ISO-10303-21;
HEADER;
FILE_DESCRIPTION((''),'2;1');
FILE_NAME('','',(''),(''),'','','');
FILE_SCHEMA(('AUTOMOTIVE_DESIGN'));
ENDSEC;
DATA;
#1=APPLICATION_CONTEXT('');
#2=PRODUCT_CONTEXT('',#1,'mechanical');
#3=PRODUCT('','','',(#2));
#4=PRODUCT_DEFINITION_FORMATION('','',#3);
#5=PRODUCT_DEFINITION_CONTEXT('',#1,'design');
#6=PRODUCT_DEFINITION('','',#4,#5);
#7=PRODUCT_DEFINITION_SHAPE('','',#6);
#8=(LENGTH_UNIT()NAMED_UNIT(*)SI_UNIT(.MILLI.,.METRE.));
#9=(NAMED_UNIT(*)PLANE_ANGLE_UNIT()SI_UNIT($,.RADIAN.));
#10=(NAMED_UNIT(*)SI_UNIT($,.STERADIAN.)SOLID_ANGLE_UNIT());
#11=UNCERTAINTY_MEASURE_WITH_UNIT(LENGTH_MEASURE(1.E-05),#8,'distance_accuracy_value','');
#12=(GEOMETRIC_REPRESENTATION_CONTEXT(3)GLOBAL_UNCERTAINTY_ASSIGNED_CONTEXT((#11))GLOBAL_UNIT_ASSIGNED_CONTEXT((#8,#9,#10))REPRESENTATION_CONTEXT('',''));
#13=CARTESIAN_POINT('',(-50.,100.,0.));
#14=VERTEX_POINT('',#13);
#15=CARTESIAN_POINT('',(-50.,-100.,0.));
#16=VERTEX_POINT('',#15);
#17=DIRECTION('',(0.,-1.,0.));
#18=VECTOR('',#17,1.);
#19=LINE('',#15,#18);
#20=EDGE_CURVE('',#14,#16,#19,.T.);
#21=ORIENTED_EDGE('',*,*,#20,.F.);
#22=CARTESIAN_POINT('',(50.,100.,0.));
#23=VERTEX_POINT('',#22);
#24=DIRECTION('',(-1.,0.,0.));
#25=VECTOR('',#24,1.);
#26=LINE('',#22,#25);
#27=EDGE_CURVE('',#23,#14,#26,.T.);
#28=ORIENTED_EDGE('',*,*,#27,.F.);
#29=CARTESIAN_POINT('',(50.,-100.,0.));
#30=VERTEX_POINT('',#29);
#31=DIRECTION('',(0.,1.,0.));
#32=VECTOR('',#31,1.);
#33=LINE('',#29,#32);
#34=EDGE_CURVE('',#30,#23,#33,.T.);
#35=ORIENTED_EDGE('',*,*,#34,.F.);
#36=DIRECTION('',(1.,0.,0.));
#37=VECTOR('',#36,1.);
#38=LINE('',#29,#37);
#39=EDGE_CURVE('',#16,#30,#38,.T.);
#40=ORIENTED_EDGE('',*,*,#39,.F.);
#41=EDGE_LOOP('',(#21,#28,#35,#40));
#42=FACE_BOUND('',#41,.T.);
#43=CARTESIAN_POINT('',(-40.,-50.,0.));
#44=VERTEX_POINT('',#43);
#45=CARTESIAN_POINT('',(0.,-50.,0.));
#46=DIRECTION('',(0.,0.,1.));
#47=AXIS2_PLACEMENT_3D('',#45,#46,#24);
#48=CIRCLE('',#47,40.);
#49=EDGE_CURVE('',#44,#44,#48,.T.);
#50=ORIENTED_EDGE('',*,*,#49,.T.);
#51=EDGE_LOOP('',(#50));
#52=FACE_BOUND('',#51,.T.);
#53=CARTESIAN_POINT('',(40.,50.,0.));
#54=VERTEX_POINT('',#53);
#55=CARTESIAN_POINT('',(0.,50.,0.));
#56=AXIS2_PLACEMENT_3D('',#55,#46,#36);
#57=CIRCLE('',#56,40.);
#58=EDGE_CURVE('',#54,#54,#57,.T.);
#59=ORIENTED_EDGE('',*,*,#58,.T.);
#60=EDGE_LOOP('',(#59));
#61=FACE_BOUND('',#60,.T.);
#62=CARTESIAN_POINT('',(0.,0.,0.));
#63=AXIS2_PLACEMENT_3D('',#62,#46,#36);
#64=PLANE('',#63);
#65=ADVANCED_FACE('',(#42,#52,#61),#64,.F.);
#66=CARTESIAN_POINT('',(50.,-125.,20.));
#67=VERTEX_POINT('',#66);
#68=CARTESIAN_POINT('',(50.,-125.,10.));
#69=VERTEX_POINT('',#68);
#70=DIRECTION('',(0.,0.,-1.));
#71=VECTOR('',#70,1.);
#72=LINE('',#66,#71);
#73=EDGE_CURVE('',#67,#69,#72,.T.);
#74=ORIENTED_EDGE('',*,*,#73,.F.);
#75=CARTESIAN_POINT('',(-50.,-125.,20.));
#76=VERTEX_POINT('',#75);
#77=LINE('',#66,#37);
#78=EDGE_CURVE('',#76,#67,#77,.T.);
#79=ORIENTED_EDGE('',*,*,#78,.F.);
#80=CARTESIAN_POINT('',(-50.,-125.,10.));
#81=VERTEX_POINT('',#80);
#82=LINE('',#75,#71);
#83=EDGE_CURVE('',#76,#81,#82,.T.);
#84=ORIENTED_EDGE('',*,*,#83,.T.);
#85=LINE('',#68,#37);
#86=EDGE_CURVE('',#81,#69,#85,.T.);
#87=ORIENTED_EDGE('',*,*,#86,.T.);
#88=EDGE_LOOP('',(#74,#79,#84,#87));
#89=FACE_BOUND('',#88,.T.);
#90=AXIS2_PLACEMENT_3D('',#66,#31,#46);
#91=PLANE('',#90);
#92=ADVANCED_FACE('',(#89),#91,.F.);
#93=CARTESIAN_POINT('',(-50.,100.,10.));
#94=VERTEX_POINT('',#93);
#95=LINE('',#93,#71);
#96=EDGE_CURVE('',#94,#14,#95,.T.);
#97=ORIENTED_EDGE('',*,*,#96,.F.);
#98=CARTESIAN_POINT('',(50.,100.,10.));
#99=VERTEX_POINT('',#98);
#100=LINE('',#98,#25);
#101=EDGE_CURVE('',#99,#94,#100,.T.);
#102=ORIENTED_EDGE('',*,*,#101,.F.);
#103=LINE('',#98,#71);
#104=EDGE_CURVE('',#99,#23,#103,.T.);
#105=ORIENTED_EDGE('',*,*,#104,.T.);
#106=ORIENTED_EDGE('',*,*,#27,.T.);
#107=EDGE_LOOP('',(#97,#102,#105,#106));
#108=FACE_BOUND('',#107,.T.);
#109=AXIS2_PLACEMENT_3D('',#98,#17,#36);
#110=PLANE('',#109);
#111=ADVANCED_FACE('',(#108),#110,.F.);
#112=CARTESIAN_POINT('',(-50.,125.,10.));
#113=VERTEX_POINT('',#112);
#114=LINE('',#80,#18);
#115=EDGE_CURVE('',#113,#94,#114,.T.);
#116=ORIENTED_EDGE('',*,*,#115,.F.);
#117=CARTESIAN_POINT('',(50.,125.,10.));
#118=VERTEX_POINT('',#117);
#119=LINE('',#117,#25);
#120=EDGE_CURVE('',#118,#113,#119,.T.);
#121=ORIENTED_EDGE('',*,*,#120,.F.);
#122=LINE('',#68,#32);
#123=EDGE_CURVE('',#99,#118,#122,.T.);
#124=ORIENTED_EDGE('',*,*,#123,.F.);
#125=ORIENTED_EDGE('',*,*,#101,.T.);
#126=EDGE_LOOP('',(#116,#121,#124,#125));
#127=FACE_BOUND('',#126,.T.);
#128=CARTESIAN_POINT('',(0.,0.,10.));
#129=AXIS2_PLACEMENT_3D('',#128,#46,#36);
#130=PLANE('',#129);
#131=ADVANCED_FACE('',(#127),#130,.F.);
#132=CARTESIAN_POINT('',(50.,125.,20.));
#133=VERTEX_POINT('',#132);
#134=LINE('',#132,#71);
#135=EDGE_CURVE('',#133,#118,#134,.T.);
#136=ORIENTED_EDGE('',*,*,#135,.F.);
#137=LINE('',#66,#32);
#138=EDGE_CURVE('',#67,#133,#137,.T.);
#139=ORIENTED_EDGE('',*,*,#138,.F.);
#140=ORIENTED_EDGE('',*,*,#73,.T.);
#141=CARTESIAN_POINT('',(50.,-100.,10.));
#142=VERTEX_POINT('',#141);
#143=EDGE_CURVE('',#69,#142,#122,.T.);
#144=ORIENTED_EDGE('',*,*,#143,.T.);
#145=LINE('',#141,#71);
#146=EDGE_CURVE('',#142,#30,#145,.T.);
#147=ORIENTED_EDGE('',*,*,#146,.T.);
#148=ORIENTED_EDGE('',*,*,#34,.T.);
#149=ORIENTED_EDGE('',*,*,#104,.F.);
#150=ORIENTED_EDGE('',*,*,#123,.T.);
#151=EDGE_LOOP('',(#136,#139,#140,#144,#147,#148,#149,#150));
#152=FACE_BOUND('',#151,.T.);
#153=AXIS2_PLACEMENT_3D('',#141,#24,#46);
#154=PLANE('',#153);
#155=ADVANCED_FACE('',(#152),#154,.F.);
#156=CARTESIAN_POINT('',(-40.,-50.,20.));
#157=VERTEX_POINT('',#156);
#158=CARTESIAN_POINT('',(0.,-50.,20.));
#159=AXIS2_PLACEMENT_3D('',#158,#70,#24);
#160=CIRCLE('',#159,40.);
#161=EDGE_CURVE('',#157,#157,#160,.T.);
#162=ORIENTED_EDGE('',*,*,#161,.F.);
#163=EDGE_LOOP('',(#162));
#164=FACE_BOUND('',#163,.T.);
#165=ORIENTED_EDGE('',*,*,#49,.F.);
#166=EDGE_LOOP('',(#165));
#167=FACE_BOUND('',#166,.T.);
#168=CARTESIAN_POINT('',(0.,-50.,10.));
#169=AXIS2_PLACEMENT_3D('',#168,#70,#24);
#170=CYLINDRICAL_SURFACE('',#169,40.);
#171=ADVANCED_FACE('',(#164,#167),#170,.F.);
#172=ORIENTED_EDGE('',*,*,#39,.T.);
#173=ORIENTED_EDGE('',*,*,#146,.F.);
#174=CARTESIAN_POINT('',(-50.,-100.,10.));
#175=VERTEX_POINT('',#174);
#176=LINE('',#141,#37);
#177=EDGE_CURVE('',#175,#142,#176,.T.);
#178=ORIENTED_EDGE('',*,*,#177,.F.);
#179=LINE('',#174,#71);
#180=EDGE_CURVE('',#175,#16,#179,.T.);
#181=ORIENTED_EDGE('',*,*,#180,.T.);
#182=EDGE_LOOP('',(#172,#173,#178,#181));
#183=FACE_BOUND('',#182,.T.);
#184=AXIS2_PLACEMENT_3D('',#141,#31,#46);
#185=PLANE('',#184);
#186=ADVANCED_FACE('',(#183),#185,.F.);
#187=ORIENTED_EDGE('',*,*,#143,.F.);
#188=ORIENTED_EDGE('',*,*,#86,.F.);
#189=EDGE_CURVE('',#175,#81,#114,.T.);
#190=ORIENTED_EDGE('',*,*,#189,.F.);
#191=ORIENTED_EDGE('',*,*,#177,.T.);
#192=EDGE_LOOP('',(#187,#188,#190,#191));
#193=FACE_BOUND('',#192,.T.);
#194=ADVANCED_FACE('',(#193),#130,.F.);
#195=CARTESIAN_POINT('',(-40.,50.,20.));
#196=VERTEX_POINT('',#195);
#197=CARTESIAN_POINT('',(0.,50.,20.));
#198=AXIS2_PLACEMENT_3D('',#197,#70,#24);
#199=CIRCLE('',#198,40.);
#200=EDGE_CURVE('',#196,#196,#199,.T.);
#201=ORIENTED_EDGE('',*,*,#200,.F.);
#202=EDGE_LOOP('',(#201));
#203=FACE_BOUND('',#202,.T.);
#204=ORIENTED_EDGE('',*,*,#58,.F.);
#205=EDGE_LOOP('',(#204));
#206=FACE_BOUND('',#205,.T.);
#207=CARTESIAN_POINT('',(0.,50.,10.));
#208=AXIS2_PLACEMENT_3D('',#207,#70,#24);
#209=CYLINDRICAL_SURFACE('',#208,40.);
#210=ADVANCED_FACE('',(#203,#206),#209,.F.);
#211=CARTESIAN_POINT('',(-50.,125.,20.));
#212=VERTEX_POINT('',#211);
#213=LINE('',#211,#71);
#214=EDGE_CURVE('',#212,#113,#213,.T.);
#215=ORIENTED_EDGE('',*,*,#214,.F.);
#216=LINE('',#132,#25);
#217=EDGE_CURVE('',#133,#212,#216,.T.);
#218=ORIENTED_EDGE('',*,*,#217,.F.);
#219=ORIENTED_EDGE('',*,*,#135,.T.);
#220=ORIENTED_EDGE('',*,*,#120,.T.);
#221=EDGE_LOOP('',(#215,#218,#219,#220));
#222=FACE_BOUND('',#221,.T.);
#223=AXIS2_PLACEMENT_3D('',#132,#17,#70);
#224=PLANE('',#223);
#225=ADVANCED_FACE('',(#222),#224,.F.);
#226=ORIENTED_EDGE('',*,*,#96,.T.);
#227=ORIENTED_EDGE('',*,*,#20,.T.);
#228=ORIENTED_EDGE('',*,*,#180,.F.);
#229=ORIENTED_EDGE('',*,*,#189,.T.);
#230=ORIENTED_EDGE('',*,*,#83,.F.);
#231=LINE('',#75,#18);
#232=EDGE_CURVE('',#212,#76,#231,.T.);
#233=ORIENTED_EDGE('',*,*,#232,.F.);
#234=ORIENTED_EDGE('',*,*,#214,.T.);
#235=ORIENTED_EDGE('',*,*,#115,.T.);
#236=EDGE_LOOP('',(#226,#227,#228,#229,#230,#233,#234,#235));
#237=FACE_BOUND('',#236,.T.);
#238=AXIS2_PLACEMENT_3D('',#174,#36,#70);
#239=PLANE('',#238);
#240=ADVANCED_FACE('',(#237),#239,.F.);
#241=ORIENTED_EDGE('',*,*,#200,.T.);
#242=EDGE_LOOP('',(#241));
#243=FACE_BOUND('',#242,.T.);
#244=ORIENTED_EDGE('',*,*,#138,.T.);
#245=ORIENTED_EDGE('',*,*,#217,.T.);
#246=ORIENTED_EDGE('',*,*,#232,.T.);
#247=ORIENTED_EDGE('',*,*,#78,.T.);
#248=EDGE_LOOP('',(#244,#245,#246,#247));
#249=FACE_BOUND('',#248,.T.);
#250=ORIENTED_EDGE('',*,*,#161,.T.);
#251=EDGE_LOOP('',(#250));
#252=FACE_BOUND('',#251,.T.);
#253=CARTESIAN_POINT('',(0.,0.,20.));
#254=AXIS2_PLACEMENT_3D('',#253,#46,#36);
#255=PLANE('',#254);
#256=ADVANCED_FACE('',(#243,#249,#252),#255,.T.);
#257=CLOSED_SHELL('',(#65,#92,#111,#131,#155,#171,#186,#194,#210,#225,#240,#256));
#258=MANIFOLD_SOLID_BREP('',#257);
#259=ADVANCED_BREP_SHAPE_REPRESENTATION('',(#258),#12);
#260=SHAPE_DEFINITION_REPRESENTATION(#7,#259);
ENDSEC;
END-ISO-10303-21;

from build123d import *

# Parameters (mm, degrees)
SKETCH_1_W          = 100
SKETCH_1_H          = 200
SKETCH_1_R          = 40
EXTRUDE_1_DEPTH     = 10
SKETCH_2_W          = 100
SKETCH_2_H          = 250
EXTRUDE_2_DEPTH     = 10
SKETCH_3_R          = 40
CUT_EXTRUDE_1_DEPTH = 136


with BuildPart() as part:
    # 草图1 → 凸台-拉伸1 (new body)
    with BuildSketch(Plane.XY):
        Rectangle(SKETCH_1_W, SKETCH_1_H)
        with Locations((0, 50)):
            Circle(SKETCH_1_R, mode=Mode.SUBTRACT)
        with Locations(Location((0, -50, 0), (0, 0, 180))):
            Circle(SKETCH_1_R, mode=Mode.SUBTRACT)
    extrude(amount=EXTRUDE_1_DEPTH)

    # 草图2 → 凸台-拉伸2 (add)
    with BuildSketch(Plane.XY.offset(10)):
        Rectangle(SKETCH_2_W, SKETCH_2_H)
    extrude(amount=EXTRUDE_2_DEPTH)

    # 草图3 → 切除-拉伸1 (cut, through all)
    with BuildSketch(Plane(origin=(0, 0, 10), x_dir=(-1, 0, 0), z_dir=(0, 0, -1))):
        with Locations((0, 50)):
            Circle(SKETCH_3_R)
        with Locations((0, -50)):
            Circle(SKETCH_3_R)
    extrude(amount=-CUT_EXTRUDE_1_DEPTH, mode=Mode.SUBTRACT)


solid = part.part
